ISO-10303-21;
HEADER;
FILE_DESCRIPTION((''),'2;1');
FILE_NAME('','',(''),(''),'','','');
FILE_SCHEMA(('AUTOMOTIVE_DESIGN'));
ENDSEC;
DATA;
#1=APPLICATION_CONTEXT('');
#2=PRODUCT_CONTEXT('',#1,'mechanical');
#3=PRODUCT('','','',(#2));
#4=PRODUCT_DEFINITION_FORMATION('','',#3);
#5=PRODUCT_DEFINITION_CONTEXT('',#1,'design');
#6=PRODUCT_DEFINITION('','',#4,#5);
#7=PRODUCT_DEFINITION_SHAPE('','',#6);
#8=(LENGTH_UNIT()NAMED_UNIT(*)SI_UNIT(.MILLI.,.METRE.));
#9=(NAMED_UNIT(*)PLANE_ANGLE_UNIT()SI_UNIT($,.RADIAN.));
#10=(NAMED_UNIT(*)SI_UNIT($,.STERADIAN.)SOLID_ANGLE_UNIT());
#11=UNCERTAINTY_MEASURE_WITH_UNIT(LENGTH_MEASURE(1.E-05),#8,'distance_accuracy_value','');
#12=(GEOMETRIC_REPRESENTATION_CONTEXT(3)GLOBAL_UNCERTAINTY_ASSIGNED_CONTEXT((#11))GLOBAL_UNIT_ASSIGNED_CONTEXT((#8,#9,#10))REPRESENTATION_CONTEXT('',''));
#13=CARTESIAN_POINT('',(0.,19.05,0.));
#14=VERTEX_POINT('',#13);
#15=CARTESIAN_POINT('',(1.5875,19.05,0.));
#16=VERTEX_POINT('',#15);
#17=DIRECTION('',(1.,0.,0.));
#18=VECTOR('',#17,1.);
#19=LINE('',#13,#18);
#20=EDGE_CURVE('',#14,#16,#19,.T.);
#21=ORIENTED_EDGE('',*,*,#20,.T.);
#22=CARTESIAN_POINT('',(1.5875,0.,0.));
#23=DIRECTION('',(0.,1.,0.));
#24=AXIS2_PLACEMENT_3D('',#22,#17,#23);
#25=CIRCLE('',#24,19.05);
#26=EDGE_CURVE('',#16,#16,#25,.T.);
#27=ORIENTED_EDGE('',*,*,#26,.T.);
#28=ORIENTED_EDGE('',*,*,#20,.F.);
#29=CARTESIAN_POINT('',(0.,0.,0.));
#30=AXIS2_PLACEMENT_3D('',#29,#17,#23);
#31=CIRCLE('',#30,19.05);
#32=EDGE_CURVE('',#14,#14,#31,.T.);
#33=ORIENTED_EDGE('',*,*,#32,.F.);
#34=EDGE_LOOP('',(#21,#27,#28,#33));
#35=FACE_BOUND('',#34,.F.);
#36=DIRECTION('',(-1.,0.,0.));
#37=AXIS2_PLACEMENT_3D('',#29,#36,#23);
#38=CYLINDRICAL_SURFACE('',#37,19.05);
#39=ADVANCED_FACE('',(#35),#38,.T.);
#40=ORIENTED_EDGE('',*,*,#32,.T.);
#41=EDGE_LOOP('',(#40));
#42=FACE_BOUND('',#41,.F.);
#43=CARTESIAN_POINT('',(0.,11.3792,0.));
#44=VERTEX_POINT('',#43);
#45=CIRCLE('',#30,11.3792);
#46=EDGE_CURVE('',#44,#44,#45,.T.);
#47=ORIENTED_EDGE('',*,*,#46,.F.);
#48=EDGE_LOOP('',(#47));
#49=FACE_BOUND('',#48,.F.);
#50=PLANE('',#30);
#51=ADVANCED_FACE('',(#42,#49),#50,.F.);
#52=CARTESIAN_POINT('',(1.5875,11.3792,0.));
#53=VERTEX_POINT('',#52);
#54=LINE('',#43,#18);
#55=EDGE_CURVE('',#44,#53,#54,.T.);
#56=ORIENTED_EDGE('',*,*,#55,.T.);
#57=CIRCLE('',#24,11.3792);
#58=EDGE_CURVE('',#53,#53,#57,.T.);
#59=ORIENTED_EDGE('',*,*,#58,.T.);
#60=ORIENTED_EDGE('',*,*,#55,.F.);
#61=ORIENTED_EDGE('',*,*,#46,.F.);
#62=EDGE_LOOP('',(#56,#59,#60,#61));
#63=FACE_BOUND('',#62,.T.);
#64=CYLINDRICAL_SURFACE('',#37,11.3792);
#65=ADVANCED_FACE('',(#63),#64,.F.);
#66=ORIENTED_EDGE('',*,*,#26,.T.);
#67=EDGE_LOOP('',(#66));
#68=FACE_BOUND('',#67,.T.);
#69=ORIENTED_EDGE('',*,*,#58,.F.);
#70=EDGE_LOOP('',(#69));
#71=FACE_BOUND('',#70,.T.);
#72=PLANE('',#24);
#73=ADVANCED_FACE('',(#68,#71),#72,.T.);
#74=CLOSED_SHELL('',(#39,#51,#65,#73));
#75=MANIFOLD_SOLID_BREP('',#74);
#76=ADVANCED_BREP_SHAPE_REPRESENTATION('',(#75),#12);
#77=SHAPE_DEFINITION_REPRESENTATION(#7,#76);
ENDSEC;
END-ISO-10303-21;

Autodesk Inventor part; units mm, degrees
ref_plane "YZ Plane" through (0, 0, 0) normal (1, 0, 0) x (0, 1, 0)
ref_plane "XZ Plane" through (0, 0, 0) normal (0, 1, 0) x (-1, 0, 0)
ref_plane "XY Plane" through (0, 0, 0) normal (0, 0, 1) x (1, 0, 0)
sketch "Sketch1" plane through (0, 0, 0) normal (1, 0, 0) x (0, 1, 0)
  circle A0 centre (0, 0) radius 11.3792
  circle A1 centre (0, 0) radius 19.05
  dimension "d0" = 22.7584
  dimension "d1" = 38.1
extrude "Extrusion1" add sketch "Sketch1" along normal blind 1.5875
properties part number "ThrustWasher" material "Bronze, Soft Tin"
